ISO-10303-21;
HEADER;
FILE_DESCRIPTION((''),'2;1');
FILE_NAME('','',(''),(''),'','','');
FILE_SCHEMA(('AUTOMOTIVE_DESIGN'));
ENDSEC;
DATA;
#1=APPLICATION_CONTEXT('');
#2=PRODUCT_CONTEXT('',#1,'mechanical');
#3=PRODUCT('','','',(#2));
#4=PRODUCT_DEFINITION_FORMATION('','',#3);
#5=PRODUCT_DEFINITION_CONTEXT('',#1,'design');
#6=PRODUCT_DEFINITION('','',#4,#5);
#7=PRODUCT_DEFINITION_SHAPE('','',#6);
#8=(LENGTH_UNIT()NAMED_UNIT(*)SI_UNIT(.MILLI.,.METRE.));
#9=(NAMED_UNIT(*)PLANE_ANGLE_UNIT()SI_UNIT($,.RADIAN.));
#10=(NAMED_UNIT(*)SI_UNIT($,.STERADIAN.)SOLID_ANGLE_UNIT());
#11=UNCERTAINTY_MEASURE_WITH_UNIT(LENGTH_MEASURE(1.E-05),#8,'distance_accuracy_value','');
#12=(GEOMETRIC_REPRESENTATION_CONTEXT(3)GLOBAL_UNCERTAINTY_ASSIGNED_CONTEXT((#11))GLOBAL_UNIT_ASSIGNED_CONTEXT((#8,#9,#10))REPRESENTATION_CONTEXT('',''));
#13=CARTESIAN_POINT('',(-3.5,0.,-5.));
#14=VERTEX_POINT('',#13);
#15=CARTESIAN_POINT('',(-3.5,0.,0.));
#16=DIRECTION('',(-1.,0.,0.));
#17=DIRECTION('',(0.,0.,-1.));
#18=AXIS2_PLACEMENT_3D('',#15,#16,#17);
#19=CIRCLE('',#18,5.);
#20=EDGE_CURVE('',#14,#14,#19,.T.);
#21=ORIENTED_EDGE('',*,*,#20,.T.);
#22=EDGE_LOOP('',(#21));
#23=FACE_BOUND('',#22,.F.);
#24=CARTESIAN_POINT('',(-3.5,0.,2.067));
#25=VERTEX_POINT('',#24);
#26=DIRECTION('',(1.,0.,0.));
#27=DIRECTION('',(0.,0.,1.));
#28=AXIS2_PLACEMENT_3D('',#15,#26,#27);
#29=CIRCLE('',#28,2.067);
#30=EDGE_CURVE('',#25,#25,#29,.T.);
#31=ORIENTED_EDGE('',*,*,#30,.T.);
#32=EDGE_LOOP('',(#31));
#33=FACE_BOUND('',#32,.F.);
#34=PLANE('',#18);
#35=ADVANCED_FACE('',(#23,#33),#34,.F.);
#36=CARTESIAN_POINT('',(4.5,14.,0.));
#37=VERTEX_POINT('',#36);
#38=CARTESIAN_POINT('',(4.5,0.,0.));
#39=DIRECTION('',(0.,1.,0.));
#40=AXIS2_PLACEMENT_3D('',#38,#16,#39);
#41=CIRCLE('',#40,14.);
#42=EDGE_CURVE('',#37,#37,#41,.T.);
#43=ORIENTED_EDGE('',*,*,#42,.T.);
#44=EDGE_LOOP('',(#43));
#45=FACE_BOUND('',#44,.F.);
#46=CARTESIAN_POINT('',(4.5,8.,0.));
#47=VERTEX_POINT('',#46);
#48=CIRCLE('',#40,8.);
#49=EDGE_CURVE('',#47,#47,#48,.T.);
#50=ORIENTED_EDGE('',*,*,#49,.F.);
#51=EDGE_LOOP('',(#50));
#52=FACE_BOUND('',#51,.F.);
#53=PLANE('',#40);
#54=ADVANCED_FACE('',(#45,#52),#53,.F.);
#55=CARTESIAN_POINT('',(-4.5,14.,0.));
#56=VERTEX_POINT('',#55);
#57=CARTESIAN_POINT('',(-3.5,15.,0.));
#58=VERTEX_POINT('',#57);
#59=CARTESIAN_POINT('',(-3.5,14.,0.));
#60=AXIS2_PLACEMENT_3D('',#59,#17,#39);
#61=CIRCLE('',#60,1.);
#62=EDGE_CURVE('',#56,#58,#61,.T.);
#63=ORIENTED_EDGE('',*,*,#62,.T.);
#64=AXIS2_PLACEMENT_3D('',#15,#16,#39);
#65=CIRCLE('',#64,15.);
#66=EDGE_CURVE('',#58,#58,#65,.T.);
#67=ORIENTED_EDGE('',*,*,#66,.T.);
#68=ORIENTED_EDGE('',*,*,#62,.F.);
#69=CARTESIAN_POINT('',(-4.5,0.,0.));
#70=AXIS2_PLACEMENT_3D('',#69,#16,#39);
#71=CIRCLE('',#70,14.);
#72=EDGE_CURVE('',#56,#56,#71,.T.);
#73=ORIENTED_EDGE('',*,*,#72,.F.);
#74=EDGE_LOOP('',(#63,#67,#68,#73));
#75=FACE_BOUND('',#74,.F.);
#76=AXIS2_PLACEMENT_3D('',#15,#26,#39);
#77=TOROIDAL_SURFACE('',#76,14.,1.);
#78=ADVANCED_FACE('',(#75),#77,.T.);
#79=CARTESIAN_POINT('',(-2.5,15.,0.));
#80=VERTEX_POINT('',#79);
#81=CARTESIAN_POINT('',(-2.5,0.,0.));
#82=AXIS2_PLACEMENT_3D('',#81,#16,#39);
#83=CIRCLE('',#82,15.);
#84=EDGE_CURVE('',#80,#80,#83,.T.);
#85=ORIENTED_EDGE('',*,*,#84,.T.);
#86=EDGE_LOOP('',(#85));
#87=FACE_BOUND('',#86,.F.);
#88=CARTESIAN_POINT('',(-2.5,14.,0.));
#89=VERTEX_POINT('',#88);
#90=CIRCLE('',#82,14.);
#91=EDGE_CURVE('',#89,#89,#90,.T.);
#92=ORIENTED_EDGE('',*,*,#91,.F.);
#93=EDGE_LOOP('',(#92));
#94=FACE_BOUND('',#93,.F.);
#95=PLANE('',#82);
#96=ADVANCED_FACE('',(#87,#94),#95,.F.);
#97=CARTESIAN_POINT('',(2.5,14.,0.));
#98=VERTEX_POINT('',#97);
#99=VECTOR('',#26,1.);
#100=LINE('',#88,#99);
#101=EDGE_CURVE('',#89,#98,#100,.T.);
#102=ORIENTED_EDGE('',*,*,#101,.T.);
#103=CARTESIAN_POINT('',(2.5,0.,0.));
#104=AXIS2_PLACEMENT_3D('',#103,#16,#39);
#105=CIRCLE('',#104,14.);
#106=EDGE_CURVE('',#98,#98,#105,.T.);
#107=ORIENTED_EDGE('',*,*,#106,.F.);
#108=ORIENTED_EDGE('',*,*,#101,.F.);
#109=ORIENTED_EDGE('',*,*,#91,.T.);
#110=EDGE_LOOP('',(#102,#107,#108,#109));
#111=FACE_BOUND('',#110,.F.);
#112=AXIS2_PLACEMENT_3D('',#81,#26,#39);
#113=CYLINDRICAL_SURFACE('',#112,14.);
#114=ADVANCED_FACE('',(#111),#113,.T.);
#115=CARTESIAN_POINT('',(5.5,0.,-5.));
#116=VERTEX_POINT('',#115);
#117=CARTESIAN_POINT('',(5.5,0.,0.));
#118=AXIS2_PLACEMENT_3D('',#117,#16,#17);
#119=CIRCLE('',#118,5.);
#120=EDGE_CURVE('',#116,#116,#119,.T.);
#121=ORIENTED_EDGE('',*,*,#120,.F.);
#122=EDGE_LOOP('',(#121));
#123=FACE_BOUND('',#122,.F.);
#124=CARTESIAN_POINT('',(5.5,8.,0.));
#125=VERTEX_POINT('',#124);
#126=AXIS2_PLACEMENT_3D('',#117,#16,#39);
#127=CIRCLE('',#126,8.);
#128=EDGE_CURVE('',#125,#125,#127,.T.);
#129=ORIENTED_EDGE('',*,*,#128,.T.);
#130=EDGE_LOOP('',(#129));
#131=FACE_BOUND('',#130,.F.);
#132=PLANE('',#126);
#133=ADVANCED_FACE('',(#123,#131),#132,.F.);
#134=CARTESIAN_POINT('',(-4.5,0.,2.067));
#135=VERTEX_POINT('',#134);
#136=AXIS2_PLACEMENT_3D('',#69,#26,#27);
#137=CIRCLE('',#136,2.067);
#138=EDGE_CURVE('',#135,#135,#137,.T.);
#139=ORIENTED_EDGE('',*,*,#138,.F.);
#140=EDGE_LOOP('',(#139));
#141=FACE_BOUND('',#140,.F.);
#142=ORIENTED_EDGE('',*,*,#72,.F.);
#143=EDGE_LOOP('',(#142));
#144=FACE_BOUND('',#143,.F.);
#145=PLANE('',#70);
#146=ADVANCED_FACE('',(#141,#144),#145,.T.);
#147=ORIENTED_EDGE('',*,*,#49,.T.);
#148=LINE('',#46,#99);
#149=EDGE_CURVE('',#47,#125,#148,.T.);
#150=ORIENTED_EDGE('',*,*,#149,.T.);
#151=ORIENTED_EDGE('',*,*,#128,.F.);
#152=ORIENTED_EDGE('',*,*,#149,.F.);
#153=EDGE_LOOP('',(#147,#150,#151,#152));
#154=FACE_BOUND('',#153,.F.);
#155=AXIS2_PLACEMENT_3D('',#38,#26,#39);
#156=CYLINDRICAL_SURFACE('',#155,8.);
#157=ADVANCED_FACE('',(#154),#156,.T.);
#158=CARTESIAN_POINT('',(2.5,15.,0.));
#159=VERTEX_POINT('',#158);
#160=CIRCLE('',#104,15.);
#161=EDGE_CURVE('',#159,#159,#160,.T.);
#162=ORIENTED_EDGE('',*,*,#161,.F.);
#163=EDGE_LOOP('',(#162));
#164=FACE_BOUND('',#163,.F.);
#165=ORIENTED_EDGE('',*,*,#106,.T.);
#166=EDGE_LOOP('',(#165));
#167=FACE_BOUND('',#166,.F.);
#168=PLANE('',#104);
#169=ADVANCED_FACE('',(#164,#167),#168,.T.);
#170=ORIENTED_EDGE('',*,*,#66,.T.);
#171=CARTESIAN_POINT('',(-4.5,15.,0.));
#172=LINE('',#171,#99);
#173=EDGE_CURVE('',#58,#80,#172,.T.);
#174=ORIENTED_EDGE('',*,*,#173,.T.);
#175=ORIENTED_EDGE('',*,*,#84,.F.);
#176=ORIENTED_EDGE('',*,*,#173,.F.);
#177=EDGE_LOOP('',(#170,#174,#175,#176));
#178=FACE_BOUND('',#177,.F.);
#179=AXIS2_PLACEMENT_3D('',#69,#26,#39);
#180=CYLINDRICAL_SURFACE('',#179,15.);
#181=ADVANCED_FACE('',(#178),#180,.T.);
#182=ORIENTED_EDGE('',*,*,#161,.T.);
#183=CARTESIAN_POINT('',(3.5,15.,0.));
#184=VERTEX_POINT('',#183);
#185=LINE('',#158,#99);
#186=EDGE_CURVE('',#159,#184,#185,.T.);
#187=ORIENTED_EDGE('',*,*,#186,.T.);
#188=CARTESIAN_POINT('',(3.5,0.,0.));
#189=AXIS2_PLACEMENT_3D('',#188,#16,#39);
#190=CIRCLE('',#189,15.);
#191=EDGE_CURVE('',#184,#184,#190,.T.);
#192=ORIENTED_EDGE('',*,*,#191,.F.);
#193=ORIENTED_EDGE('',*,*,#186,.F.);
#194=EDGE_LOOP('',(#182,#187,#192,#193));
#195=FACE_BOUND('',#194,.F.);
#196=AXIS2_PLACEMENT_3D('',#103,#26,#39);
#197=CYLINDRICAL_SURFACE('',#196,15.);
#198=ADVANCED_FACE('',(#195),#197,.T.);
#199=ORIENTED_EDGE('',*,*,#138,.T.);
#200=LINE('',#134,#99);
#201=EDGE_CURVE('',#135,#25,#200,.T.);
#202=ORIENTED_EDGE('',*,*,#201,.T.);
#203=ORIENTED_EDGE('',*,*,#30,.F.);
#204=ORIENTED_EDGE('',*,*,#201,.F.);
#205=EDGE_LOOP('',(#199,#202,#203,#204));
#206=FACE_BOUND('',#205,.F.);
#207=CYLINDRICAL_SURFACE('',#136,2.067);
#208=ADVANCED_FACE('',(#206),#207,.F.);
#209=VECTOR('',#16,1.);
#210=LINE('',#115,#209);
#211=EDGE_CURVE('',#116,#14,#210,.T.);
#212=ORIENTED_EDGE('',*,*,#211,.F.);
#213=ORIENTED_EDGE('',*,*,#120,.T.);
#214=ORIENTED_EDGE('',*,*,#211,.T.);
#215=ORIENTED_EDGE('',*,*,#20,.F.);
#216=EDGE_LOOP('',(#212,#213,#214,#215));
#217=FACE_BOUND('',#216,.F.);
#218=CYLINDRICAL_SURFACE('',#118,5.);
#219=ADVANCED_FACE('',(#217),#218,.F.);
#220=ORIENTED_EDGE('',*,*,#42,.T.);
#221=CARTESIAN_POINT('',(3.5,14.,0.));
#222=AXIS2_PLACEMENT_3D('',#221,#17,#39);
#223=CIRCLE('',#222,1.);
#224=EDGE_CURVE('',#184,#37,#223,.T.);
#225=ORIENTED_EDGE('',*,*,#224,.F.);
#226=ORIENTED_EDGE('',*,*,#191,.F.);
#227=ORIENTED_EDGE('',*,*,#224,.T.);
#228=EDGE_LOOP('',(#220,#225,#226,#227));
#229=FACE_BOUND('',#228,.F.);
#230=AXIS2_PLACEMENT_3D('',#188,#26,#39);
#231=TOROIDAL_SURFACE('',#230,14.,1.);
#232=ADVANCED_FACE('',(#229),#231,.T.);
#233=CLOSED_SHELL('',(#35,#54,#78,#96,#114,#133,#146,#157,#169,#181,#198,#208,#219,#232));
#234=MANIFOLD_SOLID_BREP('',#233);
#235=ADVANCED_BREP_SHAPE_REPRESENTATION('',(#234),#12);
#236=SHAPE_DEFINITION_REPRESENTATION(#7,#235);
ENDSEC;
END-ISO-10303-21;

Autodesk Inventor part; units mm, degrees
ref_plane "YZ Plane" through (0, 0, 0) normal (1, 0, 0) x (0, 1, 0)
ref_plane "XZ Plane" through (0, 0, 0) normal (0, 1, 0) x (-1, 0, 0)
ref_plane "XY Plane" through (0, 0, 0) normal (0, 0, 1) x (1, 0, 0)
sketch "Sketch1" plane through (0, 0, 0) normal (0, 0, 1) x (1, 0, 0)
  line L0 (-4.5, 0) -> (-4.5, 15)
  line L1 (-4.5, 15) -> (-2.5, 15)
  line L2 (-2.5, 15) -> (-2.5, 14)
  line L3 (-2.5, 14) -> (2.5, 14)
  line L4 (2.5, 14) -> (2.5, 15)
  line L5 (2.5, 15) -> (4.5, 15)
  line L6 (4.5, 15) -> (4.5, 0)
  line L7 (4.5, 0) -> (-4.5, 0)
  line L8 (4.5, 8) -> (5.5, 8)
  line L9 (5.5, 8) -> (5.5, 0)
  line L10 (4.5, 0) -> (5.5, 0)
  line L11 (0, 14) -> (0, 0) construction
  dimension "d0" = 30
  dimension "d1" = 2
  dimension "d2" = 2
  dimension "d3" = 9
  dimension "d4" = 16
  dimension "d5" = 1
  dimension "d6" = 28
revolve "Revolution1" add sketch "Sketch1" angle 360 about axis through (4.5, 0, 0) along (-1, 0, 0)
sketch "Sketch3" plane through (-4.5, 0, 0) normal (-1, 0, 0) x (0, 0, 1)
  circle A0 centre (0, 0) radius 15 projected
  point P0 (0, 0)
hole "Hole2" at (-4.5, 0, 0) direction (1, 0, 0) diameter 4.134 depth 10 thread size "M5x0.8" class "6H" standard "ISO Metric profile"
sketch "Sketch4" plane through (5.5, 0, 0) normal (1, 0, 0) x (0, 0, -1)
  circle A0 centre (0, 0) radius 8 projected
  point P0 (0, 0)
hole "Hole3" at (5.5, 0, 0) direction (-1, 0, 0) diameter 10 depth 9
fillet "Fillet2" radius 1 2 edges at (-4.5, -15, 0) (4.5, -15, 0)
properties part number "11 base"
